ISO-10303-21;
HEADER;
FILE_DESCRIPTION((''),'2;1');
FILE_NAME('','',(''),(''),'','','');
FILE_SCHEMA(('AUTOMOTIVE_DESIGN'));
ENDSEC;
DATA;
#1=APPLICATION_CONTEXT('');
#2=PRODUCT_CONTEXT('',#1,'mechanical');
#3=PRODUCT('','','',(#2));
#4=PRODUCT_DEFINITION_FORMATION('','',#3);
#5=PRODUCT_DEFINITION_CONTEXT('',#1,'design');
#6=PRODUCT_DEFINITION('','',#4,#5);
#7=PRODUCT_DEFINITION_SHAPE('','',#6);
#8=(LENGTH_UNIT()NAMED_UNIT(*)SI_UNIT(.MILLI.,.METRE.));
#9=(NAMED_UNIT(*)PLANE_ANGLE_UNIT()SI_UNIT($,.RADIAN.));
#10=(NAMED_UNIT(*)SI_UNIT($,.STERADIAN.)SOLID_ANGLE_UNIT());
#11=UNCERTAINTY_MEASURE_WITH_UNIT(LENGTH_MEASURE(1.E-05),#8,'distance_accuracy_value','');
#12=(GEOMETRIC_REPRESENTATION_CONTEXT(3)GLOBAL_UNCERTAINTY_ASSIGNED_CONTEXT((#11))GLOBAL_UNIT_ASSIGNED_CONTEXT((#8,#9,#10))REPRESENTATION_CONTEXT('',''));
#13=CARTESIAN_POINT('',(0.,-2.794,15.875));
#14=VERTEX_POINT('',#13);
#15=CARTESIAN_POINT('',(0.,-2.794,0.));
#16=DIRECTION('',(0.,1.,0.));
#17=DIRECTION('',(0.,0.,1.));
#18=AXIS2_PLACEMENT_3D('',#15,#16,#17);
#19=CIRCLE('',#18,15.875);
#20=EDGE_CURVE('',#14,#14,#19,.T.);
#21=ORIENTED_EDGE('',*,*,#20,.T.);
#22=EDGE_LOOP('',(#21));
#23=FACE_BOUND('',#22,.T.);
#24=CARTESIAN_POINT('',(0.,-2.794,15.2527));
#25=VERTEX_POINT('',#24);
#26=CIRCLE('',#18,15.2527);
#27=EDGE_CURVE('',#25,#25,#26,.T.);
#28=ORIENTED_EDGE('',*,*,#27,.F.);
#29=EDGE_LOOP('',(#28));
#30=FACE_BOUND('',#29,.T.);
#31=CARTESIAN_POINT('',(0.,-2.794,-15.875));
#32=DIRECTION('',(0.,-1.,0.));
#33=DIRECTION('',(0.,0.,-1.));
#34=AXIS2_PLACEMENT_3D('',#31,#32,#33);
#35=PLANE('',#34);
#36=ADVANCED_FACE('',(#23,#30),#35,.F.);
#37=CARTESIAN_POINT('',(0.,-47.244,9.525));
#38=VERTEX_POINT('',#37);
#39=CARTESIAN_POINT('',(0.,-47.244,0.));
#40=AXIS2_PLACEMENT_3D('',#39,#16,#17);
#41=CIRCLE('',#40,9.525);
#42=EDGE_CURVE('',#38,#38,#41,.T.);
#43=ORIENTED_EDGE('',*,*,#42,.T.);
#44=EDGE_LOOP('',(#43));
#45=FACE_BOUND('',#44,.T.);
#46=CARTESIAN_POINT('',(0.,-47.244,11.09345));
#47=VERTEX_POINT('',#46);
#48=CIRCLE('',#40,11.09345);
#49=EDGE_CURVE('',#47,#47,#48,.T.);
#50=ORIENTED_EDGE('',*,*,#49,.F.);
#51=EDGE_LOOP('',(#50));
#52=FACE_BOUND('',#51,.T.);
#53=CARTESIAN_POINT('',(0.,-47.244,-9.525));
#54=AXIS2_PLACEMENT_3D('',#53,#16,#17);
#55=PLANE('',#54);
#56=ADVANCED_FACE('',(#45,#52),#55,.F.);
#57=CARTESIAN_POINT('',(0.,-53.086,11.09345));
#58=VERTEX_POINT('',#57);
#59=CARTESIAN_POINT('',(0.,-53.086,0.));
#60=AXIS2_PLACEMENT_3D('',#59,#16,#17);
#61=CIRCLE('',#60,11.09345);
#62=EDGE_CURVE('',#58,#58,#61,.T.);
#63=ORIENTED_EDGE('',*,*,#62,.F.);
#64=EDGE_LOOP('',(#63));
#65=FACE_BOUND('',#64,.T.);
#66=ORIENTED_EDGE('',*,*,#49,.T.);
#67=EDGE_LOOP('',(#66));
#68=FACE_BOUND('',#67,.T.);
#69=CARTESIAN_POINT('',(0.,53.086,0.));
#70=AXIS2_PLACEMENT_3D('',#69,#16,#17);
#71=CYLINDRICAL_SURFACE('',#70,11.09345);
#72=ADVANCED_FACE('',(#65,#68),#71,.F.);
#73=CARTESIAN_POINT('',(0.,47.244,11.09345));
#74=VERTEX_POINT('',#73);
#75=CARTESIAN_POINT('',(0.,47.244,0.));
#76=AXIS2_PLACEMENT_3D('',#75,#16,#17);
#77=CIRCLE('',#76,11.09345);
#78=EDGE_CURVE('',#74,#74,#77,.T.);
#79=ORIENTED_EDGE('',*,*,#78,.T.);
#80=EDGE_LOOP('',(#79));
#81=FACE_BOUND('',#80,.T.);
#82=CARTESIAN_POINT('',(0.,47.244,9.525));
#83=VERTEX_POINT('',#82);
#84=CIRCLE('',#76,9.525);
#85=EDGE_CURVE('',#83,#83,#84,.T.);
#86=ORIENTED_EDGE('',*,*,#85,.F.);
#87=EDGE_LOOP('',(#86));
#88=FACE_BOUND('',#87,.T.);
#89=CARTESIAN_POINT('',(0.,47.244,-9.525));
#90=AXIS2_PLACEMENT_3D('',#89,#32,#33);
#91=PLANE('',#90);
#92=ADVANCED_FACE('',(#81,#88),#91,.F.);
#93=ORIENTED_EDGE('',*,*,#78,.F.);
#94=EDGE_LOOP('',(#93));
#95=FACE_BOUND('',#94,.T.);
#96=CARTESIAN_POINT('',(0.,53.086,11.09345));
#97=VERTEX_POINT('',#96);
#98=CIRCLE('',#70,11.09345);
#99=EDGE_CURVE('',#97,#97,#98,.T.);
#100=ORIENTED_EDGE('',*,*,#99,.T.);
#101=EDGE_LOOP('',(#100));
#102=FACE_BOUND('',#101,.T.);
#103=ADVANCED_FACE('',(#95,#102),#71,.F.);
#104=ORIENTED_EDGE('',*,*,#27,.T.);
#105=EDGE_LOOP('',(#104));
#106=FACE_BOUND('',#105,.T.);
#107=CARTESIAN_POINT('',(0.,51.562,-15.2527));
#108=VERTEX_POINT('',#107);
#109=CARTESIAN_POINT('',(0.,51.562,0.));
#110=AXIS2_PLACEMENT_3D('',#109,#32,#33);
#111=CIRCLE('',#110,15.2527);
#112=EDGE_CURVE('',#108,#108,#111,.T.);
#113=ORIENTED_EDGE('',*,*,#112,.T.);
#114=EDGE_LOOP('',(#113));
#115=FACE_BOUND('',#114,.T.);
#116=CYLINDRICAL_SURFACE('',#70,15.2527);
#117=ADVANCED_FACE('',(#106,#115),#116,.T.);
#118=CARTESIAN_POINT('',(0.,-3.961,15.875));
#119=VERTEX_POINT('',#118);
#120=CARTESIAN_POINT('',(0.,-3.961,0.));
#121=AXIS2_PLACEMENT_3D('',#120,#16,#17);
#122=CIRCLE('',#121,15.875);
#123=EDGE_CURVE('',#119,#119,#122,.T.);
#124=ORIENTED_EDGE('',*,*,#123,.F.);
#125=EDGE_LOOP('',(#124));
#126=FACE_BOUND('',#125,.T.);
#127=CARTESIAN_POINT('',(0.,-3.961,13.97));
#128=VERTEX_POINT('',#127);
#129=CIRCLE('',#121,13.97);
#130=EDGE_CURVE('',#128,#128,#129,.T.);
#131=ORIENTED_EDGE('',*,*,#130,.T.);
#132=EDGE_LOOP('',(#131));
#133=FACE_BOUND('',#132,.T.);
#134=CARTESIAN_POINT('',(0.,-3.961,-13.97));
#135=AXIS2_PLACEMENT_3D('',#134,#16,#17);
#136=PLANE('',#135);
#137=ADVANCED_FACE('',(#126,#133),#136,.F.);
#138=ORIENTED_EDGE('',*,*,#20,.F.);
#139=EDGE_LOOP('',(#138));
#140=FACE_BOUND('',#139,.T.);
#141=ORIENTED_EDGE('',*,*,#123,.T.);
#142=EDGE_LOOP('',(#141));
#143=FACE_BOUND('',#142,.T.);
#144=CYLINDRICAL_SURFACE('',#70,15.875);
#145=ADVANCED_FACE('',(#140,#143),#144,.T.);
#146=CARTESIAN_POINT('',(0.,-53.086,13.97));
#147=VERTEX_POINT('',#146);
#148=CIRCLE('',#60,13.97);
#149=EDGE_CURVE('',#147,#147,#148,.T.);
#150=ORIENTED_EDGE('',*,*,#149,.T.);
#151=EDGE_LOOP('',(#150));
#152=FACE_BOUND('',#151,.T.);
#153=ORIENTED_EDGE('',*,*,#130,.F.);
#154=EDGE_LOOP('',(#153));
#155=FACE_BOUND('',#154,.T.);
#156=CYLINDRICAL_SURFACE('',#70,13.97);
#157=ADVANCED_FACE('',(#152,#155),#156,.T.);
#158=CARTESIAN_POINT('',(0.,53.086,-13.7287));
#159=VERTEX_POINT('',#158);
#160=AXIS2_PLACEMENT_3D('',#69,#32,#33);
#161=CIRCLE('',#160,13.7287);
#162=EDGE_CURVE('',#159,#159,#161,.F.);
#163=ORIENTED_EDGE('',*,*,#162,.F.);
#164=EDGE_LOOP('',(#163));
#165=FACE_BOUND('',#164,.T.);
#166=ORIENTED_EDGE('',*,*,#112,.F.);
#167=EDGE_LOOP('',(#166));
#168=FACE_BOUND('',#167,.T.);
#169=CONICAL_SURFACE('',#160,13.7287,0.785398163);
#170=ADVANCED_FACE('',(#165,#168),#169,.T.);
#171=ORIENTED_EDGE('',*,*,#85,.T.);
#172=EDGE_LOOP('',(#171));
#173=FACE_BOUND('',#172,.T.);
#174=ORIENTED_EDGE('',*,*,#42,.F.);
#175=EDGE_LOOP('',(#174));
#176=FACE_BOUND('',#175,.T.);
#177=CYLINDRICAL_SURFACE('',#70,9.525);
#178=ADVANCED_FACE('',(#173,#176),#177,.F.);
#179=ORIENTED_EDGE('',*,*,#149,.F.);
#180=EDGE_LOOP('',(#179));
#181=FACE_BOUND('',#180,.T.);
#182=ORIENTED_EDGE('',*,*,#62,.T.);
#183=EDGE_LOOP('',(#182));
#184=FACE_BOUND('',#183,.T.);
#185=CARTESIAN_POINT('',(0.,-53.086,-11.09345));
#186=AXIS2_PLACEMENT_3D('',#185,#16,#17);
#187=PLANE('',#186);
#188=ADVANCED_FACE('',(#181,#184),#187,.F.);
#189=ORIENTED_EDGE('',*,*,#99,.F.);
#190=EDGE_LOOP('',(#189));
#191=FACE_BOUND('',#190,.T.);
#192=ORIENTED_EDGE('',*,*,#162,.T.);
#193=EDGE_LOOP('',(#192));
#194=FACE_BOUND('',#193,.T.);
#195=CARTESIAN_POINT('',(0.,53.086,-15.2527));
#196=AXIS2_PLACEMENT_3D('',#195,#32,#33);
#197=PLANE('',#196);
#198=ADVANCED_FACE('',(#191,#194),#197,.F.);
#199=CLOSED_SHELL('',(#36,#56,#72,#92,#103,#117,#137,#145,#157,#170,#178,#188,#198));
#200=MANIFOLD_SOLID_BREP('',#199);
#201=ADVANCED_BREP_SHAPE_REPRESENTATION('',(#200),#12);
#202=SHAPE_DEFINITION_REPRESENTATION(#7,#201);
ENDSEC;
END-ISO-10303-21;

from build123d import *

# Parameters (mm, degrees)
CHAMFER1_SIZE = 1.524


with BuildPart() as part:
    # Sketch1 → Revolve1 (revolve)
    with BuildSketch(Plane(origin=(0, 0, 0), x_dir=(0, 0, -1), z_dir=(1, 0, 0)), mode=Mode.PRIVATE) as revolve1_sk:
        Polygon((11.09345, -53.086), (11.09345, -47.244), (9.525, -47.244), (9.525, 47.244), (11.09345, 47.244), (11.09345, 53.086), (15.2527, 53.086), (15.2527, -2.794000024), (15.875, -2.794000024), (15.875, -3.961), (13.97, -3.961), (13.97, -53.086), align=None)
    revolve(revolve1_sk.sketch.rotate(Axis((0, 53.086, 0), (0, -1, 0)), 180), axis=Axis((0, 53.086, 0), (0, -1, 0)))

    # Chamfer1
    chamfer1_edges = [part.edges().sort_by_distance(p)[0] for p in [
        (0, 53.086, -15.2527),
    ]]
    chamfer(chamfer1_edges, length=CHAMFER1_SIZE)


solid = part.part
